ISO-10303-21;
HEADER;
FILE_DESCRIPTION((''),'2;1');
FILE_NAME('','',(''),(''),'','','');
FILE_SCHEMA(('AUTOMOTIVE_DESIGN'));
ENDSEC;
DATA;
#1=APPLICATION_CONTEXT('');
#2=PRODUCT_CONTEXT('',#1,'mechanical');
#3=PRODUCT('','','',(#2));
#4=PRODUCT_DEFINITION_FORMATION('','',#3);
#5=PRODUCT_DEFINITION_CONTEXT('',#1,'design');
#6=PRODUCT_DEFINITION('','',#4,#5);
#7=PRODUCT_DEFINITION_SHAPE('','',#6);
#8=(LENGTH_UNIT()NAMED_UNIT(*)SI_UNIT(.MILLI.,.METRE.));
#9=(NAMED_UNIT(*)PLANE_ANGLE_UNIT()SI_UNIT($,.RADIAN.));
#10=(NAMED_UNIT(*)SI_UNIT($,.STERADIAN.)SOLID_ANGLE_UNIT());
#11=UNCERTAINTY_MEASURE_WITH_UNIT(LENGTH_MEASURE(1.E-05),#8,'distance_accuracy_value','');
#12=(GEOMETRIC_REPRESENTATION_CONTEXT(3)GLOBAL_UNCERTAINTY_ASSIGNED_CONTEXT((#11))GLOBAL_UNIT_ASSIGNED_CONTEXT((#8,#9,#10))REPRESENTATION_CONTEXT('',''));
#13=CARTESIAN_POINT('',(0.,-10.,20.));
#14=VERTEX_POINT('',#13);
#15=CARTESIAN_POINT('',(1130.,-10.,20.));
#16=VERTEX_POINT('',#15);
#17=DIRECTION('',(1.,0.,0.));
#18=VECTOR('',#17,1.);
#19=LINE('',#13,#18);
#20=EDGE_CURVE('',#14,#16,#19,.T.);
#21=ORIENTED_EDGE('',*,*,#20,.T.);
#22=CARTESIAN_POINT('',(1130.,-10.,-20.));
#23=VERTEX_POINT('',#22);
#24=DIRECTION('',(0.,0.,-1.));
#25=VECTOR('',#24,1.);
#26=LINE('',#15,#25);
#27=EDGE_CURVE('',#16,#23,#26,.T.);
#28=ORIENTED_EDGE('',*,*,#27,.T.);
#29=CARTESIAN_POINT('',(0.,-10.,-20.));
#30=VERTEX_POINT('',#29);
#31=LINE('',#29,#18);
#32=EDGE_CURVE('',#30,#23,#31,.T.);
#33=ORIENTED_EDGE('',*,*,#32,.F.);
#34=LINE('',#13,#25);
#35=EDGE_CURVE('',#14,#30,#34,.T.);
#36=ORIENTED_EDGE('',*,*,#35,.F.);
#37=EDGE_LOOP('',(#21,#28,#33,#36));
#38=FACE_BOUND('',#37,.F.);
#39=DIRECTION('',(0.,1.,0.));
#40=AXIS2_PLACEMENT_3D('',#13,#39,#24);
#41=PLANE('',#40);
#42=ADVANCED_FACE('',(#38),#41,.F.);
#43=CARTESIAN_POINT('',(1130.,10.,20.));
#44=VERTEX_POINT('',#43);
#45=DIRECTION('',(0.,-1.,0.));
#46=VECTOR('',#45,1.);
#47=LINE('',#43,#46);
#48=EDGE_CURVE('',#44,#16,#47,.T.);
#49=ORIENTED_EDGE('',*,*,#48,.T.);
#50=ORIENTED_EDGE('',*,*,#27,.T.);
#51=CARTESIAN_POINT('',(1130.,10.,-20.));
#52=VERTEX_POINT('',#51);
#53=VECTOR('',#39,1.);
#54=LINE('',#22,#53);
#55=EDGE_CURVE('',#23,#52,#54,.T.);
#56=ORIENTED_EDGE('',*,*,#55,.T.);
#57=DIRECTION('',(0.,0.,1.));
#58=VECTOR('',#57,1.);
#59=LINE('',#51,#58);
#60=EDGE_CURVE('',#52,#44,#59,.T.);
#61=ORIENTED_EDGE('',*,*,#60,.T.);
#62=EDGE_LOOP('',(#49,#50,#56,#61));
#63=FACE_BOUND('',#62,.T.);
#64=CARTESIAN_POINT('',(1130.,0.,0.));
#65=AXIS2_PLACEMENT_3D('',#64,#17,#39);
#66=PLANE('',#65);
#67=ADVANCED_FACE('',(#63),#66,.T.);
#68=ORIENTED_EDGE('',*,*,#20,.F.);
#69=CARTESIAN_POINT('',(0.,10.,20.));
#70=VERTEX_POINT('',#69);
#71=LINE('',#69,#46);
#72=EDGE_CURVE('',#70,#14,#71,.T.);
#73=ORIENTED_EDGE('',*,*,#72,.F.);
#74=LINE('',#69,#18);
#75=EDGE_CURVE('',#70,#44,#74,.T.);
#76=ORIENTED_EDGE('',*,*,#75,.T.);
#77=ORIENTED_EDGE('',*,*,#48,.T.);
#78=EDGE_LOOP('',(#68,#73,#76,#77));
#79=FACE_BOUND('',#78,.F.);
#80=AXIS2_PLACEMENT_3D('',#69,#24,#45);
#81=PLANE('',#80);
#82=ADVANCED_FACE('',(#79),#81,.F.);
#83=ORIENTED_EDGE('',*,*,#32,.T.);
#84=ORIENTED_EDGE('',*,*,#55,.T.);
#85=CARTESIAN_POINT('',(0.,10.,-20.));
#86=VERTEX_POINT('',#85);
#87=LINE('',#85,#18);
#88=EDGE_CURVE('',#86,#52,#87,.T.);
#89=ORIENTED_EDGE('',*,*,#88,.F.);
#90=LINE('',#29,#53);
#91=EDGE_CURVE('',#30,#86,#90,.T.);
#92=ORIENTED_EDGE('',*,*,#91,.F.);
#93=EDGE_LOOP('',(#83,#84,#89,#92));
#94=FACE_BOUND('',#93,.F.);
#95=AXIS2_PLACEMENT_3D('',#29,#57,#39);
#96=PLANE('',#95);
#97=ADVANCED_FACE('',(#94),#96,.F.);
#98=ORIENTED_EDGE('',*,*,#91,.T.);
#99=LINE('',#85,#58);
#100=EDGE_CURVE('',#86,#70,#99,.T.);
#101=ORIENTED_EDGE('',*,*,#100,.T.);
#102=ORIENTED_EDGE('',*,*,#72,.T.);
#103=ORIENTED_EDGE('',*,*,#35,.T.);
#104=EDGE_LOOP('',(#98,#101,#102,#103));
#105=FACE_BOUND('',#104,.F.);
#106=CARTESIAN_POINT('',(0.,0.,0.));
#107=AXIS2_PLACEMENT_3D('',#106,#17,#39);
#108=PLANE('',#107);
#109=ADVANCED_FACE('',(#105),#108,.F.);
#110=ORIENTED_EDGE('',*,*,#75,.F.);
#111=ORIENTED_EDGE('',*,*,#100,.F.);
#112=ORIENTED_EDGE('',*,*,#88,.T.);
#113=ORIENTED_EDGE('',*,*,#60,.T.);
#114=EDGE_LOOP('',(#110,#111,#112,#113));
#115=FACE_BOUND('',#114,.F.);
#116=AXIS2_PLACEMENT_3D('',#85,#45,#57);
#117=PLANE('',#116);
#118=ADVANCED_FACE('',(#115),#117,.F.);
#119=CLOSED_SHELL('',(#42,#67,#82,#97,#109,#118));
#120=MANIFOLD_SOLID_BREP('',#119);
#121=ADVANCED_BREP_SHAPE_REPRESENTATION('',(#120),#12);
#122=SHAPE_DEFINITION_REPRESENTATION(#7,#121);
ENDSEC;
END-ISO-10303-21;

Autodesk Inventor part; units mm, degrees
ref_plane "YZ Plane" through (0, 0, 0) normal (1, 0, 0) x (0, 1, 0)
ref_plane "XZ Plane" through (0, 0, 0) normal (0, 1, 0) x (-1, 0, 0)
ref_plane "XY Plane" through (0, 0, 0) normal (0, 0, 1) x (1, 0, 0)
sketch "Skizze2" plane through (0, 0, 0) normal (1, 0, 0) x (0, 1, 0)
  line L0 (-10, -20) -> (10, -20)
  line L1 (10, -20) -> (10, 20)
  line L2 (10, 20) -> (-10, 20)
  line L3 (-10, 20) -> (-10, -20)
  line L4 (-10, -20) -> (10, 20) construction
  line L5 (10, -20) -> (-10, 20) construction
  point P0 (0, 0)
  dimension "d4" = 20
  dimension "d5" = 40
extrude "Extrusion2" add sketch "Skizze2" along normal blind 1130
properties part number "HFS5-2040-1130" material "EN AC-51400-T5 Equiv."
